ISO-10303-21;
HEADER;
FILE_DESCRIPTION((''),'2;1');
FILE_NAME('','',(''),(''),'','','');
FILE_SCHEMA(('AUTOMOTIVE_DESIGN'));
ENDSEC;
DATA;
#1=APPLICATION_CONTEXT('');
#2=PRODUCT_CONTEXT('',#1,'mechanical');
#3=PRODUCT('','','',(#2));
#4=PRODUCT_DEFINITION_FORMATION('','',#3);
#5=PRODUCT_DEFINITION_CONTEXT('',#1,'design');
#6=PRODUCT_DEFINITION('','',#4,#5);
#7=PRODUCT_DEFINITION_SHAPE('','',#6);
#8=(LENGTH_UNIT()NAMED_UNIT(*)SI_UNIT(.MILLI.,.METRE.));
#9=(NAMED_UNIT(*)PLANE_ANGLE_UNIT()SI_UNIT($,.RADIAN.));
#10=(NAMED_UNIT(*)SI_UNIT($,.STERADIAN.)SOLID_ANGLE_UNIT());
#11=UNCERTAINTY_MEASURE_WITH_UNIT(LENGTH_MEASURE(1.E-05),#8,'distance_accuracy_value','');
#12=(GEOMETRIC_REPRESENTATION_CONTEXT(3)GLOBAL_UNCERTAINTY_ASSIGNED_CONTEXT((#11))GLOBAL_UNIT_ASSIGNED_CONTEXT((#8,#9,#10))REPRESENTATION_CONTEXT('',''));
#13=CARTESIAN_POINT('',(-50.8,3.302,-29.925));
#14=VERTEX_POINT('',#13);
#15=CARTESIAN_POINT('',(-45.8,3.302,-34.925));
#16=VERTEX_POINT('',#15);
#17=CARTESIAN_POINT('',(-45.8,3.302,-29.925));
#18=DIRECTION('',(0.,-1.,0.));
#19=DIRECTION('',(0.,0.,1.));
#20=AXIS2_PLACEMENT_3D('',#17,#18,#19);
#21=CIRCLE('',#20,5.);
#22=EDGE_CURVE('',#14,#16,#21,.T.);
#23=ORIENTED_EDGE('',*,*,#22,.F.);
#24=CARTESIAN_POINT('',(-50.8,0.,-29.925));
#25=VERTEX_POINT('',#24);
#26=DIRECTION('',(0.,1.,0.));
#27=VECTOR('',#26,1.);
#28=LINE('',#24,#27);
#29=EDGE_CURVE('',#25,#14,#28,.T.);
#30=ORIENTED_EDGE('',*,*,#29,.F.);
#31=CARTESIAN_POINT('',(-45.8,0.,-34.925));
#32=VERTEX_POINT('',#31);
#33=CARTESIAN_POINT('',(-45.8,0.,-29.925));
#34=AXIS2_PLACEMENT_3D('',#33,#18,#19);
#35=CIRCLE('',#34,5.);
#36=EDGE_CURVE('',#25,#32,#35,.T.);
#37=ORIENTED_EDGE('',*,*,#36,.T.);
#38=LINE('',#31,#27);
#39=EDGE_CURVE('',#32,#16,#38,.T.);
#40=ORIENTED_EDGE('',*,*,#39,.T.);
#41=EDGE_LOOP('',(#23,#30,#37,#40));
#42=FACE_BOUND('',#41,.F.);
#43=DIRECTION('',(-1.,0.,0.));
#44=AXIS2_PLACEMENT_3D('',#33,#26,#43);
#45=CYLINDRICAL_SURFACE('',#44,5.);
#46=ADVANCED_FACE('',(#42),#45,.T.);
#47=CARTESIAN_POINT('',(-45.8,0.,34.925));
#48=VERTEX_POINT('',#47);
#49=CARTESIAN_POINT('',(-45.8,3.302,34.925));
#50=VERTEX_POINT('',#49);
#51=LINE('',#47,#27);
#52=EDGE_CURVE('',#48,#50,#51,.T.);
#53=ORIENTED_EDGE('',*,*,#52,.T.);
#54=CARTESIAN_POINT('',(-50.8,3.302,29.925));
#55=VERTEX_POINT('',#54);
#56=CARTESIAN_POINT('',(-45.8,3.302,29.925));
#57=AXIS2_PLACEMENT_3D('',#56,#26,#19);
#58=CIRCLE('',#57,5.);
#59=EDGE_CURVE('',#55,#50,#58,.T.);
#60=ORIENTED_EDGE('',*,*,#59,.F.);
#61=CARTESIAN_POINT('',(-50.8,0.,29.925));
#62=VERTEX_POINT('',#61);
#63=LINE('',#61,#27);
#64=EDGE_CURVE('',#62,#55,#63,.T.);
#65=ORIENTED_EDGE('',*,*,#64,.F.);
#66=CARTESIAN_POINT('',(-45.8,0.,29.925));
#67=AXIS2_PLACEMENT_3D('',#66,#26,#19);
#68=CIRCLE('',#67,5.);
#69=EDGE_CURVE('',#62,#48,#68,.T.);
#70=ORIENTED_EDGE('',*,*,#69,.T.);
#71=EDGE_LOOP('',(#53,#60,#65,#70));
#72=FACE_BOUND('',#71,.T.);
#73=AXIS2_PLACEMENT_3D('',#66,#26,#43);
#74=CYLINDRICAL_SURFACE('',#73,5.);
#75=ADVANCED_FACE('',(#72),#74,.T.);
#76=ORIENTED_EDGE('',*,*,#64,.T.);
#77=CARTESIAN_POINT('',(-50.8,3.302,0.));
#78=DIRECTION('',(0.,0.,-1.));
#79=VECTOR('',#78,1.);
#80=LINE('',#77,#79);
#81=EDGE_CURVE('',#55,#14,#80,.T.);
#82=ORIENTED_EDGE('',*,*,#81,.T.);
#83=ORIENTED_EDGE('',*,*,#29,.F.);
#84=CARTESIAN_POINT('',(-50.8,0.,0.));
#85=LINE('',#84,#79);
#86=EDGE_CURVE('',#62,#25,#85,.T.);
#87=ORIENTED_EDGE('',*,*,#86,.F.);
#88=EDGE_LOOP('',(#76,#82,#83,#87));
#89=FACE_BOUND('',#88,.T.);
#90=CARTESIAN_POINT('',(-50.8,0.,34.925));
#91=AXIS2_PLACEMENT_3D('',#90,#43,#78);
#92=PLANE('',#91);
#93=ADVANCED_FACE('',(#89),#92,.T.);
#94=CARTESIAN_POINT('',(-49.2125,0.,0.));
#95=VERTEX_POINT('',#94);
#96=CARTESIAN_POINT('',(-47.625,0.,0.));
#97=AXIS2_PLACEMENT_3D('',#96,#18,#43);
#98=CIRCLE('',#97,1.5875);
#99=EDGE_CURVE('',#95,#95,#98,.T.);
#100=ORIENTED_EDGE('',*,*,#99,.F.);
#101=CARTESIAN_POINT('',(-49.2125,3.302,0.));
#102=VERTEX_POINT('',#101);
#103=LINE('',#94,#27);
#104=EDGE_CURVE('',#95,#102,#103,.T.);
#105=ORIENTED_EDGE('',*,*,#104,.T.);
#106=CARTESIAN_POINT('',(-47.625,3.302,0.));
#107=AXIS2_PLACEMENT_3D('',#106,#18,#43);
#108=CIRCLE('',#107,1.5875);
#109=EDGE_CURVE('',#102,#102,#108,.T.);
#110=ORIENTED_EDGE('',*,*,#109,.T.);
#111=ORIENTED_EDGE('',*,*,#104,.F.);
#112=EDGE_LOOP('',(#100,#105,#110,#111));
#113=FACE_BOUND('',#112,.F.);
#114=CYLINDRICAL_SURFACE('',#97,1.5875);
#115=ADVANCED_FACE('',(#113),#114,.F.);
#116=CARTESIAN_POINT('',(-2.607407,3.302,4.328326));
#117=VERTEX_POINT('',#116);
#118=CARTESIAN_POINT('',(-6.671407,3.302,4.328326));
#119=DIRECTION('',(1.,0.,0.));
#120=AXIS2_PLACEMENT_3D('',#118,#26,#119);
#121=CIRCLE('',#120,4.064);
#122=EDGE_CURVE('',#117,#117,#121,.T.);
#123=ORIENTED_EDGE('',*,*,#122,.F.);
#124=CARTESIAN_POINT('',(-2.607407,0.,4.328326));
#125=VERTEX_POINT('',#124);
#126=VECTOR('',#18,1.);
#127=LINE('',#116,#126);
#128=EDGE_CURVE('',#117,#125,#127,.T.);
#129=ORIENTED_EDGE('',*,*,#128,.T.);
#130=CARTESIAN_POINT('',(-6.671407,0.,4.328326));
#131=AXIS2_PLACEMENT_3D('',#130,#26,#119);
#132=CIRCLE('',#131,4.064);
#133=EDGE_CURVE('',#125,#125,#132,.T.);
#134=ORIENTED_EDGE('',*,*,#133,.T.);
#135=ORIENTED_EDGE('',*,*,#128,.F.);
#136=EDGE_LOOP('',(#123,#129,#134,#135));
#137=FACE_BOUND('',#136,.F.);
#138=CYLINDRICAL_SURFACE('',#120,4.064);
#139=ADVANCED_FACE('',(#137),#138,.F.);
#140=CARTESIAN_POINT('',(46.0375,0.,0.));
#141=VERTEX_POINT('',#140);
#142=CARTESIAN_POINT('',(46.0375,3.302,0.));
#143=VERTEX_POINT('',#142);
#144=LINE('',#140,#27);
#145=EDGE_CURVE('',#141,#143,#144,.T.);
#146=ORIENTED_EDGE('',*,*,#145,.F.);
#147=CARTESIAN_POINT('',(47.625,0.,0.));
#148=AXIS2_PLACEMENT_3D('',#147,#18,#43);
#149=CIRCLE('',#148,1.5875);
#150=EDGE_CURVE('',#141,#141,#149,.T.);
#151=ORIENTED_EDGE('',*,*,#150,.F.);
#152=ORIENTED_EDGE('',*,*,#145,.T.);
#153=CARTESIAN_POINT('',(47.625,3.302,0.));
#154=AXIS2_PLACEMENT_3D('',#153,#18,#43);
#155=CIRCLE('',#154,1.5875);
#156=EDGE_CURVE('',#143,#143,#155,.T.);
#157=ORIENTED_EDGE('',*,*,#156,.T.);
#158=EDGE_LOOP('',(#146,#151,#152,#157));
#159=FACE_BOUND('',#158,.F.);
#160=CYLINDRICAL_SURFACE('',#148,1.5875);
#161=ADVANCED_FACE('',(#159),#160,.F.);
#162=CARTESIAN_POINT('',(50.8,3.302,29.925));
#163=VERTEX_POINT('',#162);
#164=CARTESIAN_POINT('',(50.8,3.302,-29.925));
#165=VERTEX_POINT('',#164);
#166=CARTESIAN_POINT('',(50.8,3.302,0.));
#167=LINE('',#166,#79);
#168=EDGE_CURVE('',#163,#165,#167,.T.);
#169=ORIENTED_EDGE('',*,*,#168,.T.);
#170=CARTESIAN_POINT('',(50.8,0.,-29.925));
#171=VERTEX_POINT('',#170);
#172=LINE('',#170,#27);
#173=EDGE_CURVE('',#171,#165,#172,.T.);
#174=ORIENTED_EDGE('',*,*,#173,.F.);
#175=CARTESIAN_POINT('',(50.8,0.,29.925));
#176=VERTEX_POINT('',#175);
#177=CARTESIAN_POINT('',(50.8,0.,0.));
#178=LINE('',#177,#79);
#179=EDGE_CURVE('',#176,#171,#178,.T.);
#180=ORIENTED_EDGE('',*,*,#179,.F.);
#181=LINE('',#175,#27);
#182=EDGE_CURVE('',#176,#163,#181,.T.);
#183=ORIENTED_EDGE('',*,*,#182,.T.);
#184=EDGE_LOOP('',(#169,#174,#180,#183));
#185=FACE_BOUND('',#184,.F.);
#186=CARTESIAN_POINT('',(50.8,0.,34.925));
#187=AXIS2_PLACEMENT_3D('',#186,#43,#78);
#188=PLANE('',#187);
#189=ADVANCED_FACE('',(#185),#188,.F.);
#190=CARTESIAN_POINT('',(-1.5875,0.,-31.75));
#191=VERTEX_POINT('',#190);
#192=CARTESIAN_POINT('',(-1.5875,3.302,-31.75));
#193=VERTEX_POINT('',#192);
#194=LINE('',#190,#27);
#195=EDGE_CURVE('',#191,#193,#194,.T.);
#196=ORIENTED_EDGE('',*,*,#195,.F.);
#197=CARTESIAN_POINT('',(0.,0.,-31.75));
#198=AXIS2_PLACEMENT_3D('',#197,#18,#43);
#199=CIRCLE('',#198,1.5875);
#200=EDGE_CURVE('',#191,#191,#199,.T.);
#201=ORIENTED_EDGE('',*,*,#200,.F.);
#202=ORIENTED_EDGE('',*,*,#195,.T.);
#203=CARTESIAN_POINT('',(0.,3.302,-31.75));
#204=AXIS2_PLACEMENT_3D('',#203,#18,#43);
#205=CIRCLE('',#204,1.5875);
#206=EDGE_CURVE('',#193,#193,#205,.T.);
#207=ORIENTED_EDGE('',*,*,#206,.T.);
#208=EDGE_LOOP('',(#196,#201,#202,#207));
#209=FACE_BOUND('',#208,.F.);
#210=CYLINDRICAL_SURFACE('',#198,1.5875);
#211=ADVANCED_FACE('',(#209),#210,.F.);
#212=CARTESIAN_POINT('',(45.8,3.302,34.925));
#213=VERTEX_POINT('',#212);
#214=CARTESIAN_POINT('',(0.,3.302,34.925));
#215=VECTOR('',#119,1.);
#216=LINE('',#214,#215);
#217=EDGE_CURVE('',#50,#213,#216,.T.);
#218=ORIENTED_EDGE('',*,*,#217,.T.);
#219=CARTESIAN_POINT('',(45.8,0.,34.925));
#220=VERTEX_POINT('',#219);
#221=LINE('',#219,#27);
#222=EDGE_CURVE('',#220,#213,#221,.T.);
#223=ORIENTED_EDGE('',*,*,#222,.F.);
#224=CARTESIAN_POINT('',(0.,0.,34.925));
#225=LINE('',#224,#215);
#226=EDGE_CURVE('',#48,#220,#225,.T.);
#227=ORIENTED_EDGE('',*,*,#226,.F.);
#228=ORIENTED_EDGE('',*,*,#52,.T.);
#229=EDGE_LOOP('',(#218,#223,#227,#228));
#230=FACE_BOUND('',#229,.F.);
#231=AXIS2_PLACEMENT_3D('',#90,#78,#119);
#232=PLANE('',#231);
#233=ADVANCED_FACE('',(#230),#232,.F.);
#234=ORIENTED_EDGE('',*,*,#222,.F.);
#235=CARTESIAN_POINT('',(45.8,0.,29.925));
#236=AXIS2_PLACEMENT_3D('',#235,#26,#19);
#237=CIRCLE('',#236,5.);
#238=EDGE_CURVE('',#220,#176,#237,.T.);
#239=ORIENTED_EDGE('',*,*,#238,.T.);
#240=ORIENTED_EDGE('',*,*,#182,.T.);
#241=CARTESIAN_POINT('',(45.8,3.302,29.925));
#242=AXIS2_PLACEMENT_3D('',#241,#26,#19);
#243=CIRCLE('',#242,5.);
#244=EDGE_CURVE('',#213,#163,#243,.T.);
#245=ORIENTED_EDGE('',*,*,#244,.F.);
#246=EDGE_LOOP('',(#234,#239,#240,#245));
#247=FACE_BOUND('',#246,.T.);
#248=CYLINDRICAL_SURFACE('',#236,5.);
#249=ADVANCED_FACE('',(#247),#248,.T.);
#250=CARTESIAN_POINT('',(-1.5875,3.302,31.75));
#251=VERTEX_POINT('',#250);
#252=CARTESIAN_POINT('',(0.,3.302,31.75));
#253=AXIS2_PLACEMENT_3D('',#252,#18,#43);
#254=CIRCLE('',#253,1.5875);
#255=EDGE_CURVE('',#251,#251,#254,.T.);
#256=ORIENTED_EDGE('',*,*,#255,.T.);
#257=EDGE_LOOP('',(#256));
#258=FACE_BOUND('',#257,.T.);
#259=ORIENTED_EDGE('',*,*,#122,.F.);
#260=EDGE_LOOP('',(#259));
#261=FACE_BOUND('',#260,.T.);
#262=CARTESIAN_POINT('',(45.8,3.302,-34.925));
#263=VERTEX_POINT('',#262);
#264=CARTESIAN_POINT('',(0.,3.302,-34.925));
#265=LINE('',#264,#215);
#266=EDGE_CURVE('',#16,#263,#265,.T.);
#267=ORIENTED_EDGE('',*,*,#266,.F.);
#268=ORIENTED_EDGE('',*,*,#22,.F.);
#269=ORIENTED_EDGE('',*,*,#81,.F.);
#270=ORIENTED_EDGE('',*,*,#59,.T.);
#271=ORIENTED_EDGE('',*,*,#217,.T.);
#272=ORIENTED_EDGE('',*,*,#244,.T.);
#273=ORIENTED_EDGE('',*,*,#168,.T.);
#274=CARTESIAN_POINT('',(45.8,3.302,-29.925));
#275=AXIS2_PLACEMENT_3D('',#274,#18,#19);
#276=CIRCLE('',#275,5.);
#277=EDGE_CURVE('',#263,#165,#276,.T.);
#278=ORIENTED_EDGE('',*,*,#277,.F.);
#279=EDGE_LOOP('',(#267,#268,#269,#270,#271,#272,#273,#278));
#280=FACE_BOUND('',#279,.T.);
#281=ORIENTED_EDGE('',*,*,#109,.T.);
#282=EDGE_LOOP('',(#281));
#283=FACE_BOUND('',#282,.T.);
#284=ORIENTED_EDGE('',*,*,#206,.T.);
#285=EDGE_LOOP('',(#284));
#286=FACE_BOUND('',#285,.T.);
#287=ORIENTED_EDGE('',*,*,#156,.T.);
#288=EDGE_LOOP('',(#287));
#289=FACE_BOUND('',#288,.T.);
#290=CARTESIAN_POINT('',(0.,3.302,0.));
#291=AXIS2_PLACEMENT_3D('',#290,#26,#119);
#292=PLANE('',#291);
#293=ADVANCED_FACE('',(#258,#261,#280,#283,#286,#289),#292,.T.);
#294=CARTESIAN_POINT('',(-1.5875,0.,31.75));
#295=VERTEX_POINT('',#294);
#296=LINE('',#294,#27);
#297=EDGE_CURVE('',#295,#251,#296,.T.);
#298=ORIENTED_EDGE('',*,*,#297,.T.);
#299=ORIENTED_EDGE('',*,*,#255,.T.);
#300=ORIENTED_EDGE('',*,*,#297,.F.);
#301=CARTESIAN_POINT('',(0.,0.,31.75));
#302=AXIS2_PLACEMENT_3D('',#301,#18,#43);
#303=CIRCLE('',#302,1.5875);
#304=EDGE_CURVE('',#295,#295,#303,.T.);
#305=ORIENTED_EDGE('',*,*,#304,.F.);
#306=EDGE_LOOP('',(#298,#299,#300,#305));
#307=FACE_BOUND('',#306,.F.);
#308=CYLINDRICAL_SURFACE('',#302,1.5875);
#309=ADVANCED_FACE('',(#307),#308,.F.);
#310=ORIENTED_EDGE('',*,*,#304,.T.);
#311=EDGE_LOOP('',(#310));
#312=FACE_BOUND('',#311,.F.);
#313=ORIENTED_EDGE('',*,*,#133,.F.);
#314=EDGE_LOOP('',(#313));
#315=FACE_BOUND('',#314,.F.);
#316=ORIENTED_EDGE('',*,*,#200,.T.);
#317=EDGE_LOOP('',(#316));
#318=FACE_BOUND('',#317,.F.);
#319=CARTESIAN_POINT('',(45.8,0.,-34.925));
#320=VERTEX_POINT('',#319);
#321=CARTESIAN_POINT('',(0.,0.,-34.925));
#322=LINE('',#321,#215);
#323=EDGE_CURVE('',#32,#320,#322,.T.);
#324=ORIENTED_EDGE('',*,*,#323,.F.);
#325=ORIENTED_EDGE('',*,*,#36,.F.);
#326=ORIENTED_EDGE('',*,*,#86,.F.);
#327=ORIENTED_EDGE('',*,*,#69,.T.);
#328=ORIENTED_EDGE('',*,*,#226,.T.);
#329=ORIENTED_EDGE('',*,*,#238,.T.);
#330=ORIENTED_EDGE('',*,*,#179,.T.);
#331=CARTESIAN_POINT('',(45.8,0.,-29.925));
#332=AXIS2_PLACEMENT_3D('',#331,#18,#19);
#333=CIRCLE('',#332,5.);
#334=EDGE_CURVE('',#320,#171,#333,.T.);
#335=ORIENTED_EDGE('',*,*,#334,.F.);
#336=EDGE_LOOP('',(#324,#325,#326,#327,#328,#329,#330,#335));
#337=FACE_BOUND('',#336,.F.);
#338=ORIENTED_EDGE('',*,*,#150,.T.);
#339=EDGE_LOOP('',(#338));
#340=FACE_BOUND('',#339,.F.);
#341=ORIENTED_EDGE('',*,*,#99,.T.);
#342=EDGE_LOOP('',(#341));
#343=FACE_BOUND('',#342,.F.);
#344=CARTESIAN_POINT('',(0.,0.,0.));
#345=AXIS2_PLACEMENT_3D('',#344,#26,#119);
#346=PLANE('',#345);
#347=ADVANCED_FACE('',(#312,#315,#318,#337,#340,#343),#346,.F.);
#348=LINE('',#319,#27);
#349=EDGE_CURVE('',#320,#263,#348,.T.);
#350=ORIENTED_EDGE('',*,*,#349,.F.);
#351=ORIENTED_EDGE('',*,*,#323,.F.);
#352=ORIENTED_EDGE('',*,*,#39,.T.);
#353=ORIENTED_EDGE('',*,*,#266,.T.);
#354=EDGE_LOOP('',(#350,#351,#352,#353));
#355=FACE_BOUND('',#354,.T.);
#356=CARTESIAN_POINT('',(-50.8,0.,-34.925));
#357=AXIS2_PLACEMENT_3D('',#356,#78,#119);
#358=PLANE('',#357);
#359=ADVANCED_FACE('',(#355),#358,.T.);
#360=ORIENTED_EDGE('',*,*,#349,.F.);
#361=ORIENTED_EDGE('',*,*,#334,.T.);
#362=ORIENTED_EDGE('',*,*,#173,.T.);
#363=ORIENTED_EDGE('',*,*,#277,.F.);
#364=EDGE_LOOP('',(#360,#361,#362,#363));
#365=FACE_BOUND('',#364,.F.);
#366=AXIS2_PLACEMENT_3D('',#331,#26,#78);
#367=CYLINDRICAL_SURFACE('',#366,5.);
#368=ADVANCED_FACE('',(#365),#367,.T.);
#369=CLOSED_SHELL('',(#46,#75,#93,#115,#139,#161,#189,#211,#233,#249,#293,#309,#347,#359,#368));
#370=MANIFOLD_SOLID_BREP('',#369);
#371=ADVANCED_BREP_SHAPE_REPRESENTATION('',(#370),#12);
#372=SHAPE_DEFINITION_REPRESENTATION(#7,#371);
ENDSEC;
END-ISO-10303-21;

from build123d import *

# Parameters (mm, degrees)
SKETCH1_W           = 101.6
SKETCH1_H           = 69.85
BOSS_EXTRUDE1_DEPTH = 3.302
SKETCH4_R           = 1.5875
CUT_EXTRUDE1_DEPTH  = 4.302
FILLET1_R           = 5
SKETCH5_R           = 4.064
CUT_EXTRUDE2_DEPTH  = 4.302


with BuildPart() as part:
    # Sketch1 → Boss-Extrude1 (new body)
    with BuildSketch(Plane(origin=(0, 0, 0), x_dir=(1, 0, 0), z_dir=(0, 1, 0))):
        Rectangle(SKETCH1_W, SKETCH1_H)
    extrude(amount=BOSS_EXTRUDE1_DEPTH)

    # Sketch4 → Cut-Extrude1 (cut, through all)
    with BuildSketch(Plane(origin=(0, 0, 0), x_dir=(-1, 0, 0), z_dir=(0, -1, 0))):
        with Locations((0, 31.75)):
            Circle(SKETCH4_R)
        with Locations((-47.625, 0)):
            Circle(SKETCH4_R)
        with Locations((0, -31.75)):
            Circle(SKETCH4_R)
        with Locations((47.625, 0)):
            Circle(SKETCH4_R)
    extrude(amount=-CUT_EXTRUDE1_DEPTH, mode=Mode.SUBTRACT)

    # Fillet1
    fillet1_edges = [part.edges().sort_by_distance(p)[0] for p in [
        (50.8, 1.651, 34.925),
        (-50.8, 1.651, 34.925),
        (-50.8, 1.651, -34.925),
        (50.8, 1.651, -34.925),
    ]]
    fillet(fillet1_edges, radius=FILLET1_R)

    # Sketch5 → Cut-Extrude2 (cut, through all)
    with BuildSketch(Plane(origin=(0, 3.302, 0), x_dir=(1, 0, 0), z_dir=(0, 1, 0))):
        with Locations((-6.671406789, -4.328326436)):
            Circle(SKETCH5_R)
    extrude(amount=-CUT_EXTRUDE2_DEPTH, mode=Mode.SUBTRACT)


solid = part.part
